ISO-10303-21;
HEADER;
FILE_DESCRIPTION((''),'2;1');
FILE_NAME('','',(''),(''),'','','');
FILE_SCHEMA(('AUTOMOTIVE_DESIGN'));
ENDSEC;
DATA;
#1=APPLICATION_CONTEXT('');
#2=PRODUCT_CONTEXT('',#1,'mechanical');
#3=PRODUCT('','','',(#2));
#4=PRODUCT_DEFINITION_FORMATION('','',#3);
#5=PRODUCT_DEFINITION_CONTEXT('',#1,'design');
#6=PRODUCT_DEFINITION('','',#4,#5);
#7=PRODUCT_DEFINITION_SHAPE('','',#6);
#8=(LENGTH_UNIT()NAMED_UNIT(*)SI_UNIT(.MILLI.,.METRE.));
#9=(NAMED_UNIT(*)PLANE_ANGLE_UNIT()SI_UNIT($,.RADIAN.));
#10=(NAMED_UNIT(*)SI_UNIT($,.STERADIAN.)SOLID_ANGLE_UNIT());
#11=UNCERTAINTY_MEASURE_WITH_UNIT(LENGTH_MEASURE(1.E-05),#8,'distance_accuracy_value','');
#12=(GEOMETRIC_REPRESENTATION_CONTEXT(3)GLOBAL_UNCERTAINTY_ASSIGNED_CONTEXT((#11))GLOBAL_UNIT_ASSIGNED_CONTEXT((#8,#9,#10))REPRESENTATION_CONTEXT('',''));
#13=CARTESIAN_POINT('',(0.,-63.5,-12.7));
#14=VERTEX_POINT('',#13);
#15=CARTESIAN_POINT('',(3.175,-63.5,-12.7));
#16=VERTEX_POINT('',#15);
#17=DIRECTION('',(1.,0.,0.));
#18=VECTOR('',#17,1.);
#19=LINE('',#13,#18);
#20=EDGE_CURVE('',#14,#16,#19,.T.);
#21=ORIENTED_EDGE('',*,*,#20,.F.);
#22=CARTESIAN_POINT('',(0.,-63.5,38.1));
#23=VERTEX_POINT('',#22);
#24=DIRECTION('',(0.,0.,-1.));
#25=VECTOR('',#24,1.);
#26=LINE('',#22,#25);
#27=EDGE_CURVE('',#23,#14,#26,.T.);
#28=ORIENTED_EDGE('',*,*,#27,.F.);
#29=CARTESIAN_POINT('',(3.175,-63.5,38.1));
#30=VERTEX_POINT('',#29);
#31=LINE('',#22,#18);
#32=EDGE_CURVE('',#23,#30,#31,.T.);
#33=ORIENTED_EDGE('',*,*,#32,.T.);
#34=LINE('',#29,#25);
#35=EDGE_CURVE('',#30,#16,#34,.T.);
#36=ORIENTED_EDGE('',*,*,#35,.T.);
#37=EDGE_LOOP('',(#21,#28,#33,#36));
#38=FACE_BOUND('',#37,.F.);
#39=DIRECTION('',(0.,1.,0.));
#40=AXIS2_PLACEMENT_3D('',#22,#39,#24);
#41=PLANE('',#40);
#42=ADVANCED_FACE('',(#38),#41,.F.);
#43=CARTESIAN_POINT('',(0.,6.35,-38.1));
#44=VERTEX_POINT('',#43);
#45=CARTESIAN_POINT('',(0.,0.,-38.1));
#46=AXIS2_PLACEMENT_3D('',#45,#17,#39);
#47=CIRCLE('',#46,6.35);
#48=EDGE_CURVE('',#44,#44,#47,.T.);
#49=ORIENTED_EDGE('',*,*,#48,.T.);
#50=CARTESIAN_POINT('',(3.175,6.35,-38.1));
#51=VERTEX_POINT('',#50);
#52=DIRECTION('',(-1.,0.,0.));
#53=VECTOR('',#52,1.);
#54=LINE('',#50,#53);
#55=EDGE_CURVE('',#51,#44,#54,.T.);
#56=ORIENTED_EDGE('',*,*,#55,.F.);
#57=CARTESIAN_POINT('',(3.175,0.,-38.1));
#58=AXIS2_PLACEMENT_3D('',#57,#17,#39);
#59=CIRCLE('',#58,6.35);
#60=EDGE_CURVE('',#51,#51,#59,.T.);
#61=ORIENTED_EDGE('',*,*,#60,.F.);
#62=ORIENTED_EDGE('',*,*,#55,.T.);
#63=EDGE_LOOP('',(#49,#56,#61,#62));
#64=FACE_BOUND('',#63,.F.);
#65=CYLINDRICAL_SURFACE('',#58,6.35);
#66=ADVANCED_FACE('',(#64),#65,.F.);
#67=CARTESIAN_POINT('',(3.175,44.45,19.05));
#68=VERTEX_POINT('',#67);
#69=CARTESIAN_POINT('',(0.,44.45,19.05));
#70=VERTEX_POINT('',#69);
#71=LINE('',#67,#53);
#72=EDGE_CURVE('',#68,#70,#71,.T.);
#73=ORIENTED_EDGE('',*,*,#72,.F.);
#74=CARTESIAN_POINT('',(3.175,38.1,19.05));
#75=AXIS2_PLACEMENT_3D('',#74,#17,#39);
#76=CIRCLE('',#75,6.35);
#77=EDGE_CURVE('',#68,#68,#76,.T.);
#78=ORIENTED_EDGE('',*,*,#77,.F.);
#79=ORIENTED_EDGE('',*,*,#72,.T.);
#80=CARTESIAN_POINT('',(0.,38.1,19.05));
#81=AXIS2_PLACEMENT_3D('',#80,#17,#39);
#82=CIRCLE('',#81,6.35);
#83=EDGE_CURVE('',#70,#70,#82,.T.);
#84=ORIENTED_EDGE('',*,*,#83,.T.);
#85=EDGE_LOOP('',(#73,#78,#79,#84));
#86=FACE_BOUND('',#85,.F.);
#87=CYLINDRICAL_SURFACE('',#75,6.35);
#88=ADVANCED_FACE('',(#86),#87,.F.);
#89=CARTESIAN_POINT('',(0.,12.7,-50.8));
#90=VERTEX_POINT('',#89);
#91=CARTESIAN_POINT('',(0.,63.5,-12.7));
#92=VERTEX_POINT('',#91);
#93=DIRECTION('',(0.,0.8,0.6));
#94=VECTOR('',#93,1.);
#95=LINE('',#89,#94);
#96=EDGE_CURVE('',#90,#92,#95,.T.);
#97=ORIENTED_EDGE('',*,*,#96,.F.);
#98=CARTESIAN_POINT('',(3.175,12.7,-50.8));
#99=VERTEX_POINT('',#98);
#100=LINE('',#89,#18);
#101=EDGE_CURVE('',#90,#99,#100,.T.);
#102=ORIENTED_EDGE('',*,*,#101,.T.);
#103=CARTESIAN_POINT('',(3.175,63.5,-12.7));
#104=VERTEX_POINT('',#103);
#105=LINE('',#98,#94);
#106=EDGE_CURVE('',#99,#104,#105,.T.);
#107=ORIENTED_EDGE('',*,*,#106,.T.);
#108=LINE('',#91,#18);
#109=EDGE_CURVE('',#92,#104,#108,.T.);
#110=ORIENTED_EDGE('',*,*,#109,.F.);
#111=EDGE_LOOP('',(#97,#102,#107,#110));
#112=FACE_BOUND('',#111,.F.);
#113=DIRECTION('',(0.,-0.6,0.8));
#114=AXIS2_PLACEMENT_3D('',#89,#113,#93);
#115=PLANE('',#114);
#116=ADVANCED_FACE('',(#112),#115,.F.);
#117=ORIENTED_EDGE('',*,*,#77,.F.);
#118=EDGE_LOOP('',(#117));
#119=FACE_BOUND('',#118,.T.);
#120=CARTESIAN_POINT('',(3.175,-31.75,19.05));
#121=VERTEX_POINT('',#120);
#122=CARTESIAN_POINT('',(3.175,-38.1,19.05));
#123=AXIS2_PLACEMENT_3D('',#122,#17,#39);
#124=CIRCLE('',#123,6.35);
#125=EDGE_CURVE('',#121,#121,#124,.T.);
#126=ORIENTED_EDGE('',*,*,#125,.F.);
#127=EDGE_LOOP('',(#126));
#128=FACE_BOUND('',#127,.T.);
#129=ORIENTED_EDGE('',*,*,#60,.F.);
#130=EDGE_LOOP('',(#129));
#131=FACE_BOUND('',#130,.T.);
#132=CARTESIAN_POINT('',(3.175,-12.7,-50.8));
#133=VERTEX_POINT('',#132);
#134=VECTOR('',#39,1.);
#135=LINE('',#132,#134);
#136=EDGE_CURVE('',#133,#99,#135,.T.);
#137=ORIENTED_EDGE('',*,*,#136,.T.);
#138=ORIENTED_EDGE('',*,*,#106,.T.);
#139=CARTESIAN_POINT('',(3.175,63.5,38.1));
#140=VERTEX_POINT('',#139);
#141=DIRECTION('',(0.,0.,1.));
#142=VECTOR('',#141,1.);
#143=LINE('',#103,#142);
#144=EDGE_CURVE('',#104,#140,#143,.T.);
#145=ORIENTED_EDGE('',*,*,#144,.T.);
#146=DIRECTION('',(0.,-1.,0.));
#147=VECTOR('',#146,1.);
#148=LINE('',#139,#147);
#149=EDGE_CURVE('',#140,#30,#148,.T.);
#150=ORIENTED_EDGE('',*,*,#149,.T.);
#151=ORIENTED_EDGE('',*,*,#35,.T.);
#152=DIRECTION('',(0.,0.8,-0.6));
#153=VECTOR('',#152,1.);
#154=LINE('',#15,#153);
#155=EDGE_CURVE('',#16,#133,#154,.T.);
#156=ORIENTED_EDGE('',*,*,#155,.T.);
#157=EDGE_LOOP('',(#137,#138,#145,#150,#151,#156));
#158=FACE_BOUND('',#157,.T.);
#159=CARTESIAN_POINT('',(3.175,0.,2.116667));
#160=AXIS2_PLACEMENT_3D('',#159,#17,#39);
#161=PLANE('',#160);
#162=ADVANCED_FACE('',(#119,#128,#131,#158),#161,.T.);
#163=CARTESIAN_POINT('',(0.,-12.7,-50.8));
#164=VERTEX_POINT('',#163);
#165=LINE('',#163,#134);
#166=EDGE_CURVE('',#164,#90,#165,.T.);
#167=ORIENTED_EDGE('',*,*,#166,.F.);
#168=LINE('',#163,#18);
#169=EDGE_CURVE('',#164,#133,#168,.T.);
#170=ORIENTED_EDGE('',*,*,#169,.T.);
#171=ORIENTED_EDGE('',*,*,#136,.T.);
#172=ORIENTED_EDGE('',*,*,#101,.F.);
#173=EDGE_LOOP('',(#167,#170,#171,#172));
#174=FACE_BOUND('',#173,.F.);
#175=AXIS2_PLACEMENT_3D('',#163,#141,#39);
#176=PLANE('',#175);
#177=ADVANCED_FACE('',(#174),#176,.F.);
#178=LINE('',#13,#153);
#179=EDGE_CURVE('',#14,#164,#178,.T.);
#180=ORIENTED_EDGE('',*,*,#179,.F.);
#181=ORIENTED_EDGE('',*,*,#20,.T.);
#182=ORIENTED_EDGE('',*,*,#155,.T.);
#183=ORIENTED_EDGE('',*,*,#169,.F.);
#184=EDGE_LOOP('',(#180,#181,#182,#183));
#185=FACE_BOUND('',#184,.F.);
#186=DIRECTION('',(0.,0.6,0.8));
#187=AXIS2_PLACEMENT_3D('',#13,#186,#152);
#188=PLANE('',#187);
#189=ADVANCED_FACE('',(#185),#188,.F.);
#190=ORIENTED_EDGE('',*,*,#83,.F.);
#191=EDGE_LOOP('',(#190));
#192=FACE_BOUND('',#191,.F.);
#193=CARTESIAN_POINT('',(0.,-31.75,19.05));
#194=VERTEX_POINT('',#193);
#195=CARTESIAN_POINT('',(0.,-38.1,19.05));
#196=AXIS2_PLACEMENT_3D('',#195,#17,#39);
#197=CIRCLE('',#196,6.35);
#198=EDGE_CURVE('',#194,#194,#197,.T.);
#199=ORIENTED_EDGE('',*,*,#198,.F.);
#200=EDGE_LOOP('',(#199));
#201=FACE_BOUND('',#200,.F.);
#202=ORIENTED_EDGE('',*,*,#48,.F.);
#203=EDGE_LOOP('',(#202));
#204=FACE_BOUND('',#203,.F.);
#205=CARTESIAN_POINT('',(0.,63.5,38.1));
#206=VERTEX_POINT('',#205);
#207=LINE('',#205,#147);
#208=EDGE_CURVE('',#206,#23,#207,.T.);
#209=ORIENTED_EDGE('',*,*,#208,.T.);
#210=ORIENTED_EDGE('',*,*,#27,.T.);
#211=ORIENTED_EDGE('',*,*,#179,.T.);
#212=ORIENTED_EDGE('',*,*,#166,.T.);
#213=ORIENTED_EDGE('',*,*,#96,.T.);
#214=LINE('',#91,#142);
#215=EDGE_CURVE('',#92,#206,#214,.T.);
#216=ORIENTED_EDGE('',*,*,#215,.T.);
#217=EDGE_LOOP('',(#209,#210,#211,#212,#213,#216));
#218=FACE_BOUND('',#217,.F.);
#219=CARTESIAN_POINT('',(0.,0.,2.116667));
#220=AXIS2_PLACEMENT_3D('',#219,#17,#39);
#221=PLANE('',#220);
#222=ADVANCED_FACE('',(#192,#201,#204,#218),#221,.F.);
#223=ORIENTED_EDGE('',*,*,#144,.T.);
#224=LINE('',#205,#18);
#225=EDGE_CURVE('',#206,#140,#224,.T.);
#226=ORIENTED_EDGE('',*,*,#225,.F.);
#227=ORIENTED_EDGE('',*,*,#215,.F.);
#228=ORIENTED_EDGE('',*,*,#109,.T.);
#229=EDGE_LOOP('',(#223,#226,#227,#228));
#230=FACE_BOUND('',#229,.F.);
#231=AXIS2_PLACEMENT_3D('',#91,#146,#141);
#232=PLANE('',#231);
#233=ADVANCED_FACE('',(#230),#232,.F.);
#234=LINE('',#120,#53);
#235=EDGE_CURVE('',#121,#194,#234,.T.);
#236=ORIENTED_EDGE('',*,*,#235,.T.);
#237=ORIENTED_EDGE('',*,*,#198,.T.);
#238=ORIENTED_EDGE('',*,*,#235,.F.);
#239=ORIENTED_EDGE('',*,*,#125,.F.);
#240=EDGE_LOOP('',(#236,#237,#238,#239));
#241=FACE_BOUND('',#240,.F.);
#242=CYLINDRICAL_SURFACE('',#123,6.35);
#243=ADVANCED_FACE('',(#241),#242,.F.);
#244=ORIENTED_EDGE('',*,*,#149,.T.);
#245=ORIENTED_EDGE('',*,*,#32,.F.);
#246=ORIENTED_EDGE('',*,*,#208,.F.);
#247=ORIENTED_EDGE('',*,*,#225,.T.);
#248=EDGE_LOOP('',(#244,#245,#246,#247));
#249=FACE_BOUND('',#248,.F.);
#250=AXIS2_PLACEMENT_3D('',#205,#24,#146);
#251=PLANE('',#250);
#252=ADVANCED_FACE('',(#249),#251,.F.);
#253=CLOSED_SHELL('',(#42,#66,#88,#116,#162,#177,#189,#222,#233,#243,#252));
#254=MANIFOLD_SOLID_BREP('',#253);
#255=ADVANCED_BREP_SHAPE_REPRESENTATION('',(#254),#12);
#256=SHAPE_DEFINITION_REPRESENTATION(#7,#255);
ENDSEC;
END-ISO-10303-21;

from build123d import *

# Parameters (mm, degrees)
F1_DEPTH = 3.175
F2_R     = 6.35
F3_DEPTH = 3.175


with BuildPart() as f1:
    # F0 (on Right) → F1 (new body)
    with BuildSketch(Plane.YZ):
        Polygon((63.5, 38.1), (-63.5, 38.1), (-63.5, -12.7), (-12.7, -50.8), (12.7, -50.8), (63.5, -12.7), align=None)
    extrude(amount=F1_DEPTH)

    # F2 (on face) → F3 (cut, through all)
    with BuildSketch(Plane.YZ.offset(3.175)):
        with Locations((-38.1, 19.05)):
            Circle(F2_R)
        with Locations((38.1, 19.05)):
            Circle(F2_R)
        with Locations((0, -38.1)):
            Circle(F2_R)
    extrude(amount=-F3_DEPTH, mode=Mode.SUBTRACT)


solid = f1.part
